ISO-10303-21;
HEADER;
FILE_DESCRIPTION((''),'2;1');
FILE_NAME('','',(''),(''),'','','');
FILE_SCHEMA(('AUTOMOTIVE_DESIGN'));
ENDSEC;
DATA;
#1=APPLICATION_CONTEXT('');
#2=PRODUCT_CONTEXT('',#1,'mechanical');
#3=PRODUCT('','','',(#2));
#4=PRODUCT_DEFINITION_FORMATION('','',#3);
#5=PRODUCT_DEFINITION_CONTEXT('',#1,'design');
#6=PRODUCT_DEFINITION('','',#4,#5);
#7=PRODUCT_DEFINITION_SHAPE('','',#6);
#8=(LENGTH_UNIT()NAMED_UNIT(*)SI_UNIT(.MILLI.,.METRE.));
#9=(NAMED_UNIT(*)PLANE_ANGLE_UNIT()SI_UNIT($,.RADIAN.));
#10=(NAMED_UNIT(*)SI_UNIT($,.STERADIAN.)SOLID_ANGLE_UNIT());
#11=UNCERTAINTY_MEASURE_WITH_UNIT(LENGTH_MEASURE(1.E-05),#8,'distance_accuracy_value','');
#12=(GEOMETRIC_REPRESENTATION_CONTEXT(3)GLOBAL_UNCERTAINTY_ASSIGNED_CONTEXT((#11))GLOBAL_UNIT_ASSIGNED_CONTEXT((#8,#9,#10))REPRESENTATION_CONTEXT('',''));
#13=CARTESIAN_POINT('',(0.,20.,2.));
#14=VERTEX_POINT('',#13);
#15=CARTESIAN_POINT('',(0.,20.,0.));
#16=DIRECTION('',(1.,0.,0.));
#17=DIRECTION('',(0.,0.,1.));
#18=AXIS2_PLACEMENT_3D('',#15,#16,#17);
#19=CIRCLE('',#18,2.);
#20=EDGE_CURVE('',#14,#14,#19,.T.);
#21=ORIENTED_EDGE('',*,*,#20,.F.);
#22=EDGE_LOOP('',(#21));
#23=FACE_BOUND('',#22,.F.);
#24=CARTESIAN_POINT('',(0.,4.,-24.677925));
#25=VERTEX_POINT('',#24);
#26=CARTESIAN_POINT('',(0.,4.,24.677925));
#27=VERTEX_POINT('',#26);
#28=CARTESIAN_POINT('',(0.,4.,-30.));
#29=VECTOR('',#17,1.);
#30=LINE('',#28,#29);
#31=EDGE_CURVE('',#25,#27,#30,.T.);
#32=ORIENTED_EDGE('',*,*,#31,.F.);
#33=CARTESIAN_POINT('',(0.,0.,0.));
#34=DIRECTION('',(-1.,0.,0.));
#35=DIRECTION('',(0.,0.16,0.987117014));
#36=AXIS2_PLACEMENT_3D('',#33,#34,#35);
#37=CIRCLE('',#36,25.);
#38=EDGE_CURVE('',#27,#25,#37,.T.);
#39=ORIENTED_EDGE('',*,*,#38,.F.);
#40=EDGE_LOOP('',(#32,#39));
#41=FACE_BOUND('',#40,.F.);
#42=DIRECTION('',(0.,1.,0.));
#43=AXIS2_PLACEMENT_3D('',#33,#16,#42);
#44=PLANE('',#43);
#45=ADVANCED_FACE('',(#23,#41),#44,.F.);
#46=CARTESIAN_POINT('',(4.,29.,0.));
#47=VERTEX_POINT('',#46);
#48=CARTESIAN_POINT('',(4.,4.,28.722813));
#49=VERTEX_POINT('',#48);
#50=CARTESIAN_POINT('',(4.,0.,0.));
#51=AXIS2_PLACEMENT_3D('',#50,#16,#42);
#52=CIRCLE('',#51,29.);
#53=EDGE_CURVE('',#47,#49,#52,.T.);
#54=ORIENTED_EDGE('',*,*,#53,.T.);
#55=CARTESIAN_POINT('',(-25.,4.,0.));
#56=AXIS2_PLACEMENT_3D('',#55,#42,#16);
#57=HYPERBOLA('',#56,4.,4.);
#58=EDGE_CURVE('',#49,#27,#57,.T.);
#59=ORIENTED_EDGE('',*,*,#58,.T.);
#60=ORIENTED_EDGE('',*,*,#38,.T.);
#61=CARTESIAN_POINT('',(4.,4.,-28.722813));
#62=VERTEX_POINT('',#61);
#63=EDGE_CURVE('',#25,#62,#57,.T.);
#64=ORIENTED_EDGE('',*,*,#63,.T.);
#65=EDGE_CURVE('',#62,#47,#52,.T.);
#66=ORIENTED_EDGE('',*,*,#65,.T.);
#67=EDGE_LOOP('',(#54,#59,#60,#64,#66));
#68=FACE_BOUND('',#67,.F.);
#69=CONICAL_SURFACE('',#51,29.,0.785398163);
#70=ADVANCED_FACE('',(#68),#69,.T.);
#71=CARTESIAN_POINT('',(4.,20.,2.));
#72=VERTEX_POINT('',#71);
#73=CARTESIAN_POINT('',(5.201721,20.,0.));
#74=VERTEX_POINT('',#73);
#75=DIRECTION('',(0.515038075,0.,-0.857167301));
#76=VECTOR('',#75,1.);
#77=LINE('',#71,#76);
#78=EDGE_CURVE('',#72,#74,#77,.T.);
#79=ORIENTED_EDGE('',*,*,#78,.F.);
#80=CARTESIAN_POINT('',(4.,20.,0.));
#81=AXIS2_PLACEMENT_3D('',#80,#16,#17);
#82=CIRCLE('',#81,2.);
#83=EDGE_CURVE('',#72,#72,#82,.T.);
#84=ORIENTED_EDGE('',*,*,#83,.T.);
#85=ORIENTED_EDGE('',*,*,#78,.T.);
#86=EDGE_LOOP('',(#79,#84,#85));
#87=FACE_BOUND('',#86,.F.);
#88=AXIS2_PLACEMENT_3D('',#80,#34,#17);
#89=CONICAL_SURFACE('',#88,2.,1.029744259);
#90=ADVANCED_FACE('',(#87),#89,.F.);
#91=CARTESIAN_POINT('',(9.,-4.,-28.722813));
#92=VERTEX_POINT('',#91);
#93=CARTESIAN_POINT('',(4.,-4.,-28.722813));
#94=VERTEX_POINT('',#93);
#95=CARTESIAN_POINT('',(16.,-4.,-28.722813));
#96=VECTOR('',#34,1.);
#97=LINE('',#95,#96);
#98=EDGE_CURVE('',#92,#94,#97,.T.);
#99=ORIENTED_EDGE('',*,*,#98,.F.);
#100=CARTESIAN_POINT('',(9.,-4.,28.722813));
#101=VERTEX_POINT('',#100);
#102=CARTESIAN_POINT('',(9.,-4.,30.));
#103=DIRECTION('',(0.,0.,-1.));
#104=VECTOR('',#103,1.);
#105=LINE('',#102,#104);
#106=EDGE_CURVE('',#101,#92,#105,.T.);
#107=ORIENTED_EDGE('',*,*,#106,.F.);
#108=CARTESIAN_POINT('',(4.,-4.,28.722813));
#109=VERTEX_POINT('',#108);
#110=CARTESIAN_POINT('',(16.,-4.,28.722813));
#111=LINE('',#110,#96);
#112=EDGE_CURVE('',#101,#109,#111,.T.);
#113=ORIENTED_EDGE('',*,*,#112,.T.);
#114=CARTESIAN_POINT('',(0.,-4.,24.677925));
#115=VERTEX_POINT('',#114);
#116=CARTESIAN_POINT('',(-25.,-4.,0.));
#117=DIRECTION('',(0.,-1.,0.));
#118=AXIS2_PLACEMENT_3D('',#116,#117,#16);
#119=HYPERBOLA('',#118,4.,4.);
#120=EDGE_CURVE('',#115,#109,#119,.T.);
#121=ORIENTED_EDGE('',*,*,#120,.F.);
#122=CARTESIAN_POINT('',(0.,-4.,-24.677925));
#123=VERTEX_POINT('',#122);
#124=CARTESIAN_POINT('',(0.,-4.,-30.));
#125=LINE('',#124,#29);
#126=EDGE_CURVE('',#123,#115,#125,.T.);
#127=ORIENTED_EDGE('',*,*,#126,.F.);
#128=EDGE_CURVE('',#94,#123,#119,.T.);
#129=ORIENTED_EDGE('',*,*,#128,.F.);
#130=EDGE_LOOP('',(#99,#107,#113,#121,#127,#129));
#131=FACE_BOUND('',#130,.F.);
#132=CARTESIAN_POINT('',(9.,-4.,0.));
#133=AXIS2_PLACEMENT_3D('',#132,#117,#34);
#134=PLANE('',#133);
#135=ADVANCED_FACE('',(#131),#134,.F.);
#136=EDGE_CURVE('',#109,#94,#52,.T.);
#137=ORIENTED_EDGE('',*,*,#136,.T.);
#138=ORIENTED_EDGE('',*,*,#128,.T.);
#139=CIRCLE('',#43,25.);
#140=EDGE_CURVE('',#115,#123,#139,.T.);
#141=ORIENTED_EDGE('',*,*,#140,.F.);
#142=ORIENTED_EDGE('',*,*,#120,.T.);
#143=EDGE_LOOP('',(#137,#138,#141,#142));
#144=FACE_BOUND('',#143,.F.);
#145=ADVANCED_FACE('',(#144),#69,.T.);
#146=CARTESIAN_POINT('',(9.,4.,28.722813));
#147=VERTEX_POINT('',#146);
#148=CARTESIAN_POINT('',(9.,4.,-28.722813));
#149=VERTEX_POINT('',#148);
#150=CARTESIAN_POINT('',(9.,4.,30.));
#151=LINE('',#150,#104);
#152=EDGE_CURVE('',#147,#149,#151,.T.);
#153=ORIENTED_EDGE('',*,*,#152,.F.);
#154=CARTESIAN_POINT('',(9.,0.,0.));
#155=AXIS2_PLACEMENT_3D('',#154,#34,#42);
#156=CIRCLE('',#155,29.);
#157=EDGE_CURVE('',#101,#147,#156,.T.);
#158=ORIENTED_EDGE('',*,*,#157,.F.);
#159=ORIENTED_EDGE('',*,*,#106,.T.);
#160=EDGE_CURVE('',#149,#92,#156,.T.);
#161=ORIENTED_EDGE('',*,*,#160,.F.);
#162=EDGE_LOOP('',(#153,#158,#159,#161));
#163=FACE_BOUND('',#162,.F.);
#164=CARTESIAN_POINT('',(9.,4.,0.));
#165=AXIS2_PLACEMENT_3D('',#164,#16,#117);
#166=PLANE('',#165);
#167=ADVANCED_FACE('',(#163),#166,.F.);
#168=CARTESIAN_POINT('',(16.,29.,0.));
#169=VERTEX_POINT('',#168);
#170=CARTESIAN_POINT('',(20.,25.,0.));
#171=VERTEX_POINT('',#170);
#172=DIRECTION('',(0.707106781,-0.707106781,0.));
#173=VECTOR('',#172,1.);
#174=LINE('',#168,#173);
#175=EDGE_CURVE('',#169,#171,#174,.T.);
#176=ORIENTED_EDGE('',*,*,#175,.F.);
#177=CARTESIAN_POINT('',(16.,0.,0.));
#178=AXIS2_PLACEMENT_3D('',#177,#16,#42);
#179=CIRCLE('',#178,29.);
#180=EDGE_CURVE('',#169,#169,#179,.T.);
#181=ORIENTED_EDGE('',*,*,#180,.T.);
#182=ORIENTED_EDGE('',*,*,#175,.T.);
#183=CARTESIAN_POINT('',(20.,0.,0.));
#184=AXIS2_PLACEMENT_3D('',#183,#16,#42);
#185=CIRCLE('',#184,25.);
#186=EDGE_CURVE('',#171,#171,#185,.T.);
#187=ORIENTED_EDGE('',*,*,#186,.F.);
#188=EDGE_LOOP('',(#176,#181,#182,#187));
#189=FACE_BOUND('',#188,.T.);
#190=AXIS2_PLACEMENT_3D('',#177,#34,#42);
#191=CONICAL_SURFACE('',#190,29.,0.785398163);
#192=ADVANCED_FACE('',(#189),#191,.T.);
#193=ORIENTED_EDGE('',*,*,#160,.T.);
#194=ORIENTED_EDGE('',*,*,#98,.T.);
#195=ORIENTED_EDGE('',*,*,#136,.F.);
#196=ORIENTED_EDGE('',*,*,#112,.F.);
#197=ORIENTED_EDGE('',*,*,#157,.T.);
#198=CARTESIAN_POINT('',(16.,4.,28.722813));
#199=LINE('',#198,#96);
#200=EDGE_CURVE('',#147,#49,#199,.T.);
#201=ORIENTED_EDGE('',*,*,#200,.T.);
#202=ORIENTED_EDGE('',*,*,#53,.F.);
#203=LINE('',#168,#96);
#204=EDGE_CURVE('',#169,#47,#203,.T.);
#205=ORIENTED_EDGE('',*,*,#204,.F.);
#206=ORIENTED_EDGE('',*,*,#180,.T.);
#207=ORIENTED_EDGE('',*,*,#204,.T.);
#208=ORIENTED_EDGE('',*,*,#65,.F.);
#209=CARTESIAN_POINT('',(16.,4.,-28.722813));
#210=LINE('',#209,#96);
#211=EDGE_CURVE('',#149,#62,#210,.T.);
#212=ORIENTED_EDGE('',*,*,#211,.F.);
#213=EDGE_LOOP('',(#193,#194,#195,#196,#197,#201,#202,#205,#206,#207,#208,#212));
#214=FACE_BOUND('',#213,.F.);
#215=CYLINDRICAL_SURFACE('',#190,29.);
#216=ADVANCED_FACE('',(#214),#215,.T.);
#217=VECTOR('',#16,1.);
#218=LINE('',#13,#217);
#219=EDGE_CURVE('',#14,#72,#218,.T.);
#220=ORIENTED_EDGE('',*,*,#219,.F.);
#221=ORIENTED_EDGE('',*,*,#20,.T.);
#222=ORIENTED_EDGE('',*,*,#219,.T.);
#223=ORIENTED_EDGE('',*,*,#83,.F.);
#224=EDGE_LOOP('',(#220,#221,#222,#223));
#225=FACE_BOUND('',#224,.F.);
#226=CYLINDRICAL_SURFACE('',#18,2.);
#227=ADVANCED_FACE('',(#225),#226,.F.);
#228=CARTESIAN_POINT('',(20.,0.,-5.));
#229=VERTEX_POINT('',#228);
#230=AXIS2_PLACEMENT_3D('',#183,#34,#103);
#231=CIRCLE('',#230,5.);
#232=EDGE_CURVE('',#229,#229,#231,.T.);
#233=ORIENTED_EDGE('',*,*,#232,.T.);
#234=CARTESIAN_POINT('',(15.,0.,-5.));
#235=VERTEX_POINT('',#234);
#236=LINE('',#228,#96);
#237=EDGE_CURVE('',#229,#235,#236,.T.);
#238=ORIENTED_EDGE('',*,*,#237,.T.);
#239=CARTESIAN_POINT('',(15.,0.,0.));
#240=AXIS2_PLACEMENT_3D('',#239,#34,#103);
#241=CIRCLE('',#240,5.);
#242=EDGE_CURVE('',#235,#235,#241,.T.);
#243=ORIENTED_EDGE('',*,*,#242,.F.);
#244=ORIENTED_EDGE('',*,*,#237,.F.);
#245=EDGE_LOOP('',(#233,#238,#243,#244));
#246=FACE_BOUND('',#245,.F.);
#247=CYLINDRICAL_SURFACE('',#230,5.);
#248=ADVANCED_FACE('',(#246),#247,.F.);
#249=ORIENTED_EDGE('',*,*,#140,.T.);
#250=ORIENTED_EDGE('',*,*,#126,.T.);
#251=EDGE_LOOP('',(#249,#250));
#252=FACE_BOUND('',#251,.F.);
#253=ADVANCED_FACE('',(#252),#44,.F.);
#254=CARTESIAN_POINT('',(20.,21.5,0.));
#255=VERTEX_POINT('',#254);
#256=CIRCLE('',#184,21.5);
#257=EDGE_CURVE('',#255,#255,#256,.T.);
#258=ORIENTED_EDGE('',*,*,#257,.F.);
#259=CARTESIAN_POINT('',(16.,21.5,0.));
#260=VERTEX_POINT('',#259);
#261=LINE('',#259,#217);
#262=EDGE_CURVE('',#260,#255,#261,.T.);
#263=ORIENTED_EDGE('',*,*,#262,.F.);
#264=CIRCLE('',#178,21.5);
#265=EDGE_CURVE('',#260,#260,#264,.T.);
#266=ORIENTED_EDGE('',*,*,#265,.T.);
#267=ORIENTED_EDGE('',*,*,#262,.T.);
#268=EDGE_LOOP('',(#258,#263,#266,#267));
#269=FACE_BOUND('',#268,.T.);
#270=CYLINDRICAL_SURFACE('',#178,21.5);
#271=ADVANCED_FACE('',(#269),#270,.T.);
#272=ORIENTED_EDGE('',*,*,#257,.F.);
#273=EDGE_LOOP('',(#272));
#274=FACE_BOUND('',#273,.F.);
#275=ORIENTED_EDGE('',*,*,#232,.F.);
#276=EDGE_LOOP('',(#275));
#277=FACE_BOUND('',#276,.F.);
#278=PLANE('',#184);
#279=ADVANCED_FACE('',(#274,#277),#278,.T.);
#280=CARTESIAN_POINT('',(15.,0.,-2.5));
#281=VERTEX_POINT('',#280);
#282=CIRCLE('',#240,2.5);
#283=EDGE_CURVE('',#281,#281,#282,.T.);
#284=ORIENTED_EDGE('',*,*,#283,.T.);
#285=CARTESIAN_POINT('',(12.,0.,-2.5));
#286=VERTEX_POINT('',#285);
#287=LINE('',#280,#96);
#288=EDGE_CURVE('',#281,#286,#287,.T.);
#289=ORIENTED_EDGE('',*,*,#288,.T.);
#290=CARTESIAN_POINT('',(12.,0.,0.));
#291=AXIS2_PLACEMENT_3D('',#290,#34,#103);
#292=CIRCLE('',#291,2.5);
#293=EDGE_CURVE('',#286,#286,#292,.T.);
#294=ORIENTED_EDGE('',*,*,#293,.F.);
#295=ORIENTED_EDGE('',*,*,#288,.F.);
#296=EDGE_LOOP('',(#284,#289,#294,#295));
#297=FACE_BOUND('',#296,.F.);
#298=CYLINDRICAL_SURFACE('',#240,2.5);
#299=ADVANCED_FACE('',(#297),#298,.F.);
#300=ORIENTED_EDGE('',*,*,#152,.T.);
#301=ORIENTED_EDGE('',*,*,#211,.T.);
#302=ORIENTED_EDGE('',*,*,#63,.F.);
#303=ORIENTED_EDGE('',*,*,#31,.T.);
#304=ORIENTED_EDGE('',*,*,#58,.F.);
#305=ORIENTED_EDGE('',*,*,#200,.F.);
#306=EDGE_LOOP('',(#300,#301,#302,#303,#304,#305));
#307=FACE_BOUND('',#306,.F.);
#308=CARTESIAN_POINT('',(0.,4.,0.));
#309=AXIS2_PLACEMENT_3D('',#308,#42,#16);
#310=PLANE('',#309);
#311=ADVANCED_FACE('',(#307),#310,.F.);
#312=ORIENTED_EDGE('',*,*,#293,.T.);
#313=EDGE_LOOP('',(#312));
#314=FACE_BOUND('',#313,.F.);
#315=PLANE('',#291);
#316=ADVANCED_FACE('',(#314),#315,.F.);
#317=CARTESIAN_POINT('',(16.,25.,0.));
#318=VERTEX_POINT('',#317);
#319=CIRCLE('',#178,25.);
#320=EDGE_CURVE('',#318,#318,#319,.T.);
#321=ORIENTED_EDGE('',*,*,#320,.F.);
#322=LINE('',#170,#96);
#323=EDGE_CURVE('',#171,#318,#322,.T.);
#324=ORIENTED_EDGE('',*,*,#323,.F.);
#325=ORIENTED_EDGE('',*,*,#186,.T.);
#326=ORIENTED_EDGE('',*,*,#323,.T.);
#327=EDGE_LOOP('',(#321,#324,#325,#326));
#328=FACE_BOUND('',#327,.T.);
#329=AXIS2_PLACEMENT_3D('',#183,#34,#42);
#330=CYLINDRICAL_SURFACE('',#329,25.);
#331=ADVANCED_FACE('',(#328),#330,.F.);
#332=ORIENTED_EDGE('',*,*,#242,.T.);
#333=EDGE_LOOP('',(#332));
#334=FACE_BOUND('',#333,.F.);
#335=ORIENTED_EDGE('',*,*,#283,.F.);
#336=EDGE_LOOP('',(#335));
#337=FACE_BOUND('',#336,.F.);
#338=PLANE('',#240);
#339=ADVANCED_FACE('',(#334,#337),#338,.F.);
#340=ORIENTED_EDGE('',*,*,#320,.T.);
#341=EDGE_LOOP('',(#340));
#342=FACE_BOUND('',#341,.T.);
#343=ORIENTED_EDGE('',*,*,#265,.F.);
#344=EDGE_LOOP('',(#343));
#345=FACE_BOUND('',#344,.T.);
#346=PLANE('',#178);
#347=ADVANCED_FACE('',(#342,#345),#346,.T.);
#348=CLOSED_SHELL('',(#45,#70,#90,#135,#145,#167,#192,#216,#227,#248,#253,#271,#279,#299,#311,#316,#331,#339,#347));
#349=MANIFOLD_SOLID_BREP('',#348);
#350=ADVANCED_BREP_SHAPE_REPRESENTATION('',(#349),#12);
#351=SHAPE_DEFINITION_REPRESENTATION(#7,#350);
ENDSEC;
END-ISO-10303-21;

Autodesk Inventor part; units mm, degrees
ref_plane "YZ Plane" through (0, 0, 0) normal (1, 0, 0) x (0, 1, 0)
ref_plane "XZ Plane" through (0, 0, 0) normal (0, 1, 0) x (-1, 0, 0)
ref_plane "XY Plane" through (0, 0, 0) normal (0, 0, 1) x (1, 0, 0)
sketch "Эскиз5" plane through (0, 0, 0) normal (0, 0, 1) x (1, 0, 0)
  line L0 (0, 0) -> (20, 0)
  line L1 (20, 0) -> (20, 25)
  line L2 (16, 29) -> (4, 29)
  line L3 (0, 25) -> (0, 0)
  line L4 (4, 29) -> (0, 25)
  line L5 (16, 29) -> (20, 25)
  point P0 (20, 29)
  point P1 (0, 29)
  dimension "d25" = 20
  dimension "d26" = 29
  dimension "d27" = 4
  dimension "d28" = 4
  dimension "d29" = 4
  dimension "d30" = 4
revolve "Вращение3" add sketch "Эскиз5" angle 360 about axis through (0, 0, 0) along (1, 0, 0)
sketch "Эскиз6" plane through (20, 0, 0) normal (1, 0, 0) x (0, 0, -1)
  point P0 (0, 0)
  point P1 (0, 0)
hole "Отверстие2" at (20, 0, 0) direction (-1, 0, 0) diameter 10 depth 5
sketch "Эскиз7" plane through (15, 0, 0) normal (1, 0, 0) x (0, 0, -1)
  point P0 (0, 0)
  point P1 (0, 0)
hole "Отверстие3" at (15, 0, 0) direction (-1, 0, 0) diameter 5 depth 3
sketch "Эскиз8" plane through (0, 0, 0) normal (0, 0, 1) x (1, 0, 0)
  line L0 (20, -25) -> (20, 25) construction
  line L1 (20, 25) -> (16, 25)
  line L2 (16, 25) -> (16, 21.5)
  line L3 (16, 21.5) -> (20, 21.5)
  line L4 (20, 21.5) -> (20, 25)
  line L5 (0, 0) -> (20, 0)
  dimension "d46" = 4
  dimension "d47" = 3.5
revolve "Вращение4" cut sketch "Эскиз8" angle 360 about axis through (0, 0, 0) along (1, 0, 0)
sketch "Эскиз9" plane through (0, 0, 0) normal (0, 0, 1) x (1, 0, 0)
  line L0 (0, -25) -> (0, 25) construction
  line L1 (0, 4) -> (9, 4)
  line L2 (9, 4) -> (9, -4)
  line L3 (9, -4) -> (0, -4)
  line L4 (0, -4) -> (0, 4)
  point P0 (0, 0)
  point P1 (0, 0)
  point P2 (0, 0)
  dimension "d49" = 9
  dimension "d50" = 8
extrude "Выдавливание2" cut sketch "Эскиз9" along normal through all both and the other way through all
sketch "Эскиз10" plane through (0, 0, 0) normal (-1, 0, 0) x (0, 0, 1)
  line L0 (0, 0) -> (0, 20) construction
  dimension "d53" = 20
hole "Отверстие4" at (0, 20, 0) direction (1, 0, 0) diameter 4 depth 4 tip angle 118
equation "\"d28\" = d27"
equation "\"d29\" = d27"
equation "\"d30\" = d29"
properties part number "711128"
